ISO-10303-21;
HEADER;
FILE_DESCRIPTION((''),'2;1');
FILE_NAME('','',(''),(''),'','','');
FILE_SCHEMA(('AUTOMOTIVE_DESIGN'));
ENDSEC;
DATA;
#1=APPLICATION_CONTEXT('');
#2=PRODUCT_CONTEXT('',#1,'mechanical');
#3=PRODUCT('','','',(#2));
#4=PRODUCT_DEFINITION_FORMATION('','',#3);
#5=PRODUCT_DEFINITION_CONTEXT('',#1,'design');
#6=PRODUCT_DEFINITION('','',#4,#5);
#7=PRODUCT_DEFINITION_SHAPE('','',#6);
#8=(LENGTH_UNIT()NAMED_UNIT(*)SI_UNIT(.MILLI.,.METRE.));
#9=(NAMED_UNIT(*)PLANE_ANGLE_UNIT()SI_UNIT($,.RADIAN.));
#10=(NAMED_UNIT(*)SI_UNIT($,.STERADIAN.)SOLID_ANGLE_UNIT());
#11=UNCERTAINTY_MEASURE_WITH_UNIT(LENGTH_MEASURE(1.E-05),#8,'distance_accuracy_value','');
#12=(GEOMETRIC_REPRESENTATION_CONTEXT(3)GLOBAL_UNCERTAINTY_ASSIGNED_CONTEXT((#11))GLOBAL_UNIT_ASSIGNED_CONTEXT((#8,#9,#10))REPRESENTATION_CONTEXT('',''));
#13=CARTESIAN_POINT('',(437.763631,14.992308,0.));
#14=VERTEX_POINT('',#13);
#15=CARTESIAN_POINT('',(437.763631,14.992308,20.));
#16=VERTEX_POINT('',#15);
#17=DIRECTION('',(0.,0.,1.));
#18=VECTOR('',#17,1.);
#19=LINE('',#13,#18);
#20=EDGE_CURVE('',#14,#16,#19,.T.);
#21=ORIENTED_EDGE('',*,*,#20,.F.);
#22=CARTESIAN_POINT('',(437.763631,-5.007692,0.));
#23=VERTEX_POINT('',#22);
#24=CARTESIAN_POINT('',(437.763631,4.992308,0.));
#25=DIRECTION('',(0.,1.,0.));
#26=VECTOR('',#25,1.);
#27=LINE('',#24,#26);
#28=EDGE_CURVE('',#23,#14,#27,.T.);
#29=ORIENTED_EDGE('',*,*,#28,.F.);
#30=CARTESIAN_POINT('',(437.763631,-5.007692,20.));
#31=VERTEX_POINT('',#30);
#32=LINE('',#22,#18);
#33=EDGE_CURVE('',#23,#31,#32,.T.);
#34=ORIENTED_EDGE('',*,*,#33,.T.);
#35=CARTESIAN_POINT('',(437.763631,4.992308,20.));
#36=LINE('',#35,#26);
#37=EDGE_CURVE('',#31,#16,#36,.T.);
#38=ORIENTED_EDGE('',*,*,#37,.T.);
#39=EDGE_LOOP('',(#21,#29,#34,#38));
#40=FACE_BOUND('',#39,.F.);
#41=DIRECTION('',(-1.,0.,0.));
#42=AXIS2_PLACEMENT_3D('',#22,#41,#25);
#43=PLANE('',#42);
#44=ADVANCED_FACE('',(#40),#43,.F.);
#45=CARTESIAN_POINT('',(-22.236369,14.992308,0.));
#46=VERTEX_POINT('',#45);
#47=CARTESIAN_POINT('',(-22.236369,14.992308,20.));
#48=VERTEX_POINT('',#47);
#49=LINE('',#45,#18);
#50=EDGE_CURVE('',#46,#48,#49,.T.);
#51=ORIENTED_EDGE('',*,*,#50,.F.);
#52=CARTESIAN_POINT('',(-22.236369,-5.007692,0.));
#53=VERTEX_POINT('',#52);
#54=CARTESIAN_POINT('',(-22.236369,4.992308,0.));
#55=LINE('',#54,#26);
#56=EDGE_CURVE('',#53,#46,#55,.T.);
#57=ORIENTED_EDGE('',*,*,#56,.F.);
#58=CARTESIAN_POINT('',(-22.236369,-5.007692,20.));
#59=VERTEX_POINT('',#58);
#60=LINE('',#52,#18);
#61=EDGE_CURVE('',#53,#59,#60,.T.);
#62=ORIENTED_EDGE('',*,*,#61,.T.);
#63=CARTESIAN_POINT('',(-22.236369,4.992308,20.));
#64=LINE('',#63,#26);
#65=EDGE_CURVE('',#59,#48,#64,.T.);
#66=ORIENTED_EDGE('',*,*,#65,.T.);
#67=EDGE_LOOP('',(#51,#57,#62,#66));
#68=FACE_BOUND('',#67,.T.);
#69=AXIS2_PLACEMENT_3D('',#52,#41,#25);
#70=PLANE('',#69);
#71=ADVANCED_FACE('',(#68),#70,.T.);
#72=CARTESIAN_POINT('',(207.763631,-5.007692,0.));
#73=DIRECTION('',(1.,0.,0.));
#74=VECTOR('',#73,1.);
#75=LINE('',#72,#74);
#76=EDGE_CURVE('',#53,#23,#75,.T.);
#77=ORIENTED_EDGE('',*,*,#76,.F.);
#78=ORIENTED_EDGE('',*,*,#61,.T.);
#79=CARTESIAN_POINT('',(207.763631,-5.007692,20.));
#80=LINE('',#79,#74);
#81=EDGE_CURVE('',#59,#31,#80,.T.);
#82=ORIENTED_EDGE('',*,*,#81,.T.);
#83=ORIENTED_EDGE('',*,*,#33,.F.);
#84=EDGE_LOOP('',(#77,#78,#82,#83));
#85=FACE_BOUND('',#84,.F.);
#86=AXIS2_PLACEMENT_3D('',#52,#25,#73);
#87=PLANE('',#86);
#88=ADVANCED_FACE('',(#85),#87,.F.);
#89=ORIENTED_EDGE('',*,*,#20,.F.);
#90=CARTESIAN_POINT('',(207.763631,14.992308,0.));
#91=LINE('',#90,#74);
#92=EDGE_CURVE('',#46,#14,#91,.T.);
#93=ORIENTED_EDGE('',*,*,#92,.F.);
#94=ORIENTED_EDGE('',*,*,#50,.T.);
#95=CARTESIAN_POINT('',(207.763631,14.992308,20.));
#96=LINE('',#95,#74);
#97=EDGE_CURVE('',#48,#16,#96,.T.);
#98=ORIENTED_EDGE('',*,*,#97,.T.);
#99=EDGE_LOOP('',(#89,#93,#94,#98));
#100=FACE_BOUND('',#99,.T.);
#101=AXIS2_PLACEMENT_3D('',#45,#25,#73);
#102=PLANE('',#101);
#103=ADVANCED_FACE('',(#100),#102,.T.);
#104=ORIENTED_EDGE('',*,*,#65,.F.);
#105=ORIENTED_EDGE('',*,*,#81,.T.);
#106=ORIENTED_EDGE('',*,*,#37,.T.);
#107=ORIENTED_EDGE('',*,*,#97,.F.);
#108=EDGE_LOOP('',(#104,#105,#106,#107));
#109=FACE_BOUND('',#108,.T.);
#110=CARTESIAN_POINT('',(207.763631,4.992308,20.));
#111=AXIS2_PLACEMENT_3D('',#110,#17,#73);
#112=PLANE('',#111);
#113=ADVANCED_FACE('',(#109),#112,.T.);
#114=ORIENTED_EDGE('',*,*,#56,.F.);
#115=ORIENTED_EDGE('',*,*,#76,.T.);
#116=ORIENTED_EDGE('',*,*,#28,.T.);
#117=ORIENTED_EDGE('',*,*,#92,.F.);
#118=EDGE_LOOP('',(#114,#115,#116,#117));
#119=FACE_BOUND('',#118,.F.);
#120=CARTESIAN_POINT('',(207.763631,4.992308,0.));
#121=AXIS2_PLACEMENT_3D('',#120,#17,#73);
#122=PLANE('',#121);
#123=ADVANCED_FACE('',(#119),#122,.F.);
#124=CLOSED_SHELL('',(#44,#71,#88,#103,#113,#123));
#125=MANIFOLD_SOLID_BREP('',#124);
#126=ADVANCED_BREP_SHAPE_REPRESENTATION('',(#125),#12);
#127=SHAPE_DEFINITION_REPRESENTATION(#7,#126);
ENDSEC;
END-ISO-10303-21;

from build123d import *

# Parameters (mm, degrees)
F0_W     = 460
F0_H     = 20
F1_DEPTH = 20
F2_W     = 20
F2_H     = 300
F3_DEPTH = 20


with BuildPart() as f1:
    # F0 (on Top) → F1 (new body)
    with BuildSketch(Plane.XY):
        with Locations((207.763631, 4.992308)):
            Rectangle(F0_W, F0_H)
    extrude(amount=F1_DEPTH)


with BuildPart() as f3:
    # F2 (on Top) → F3 (new body)
    with BuildSketch(Plane.XY):
        with Locations((-106.786743, 76.74925)):
            Rectangle(F2_W, F2_H)
    extrude(amount=F3_DEPTH)


solid = f1.part
